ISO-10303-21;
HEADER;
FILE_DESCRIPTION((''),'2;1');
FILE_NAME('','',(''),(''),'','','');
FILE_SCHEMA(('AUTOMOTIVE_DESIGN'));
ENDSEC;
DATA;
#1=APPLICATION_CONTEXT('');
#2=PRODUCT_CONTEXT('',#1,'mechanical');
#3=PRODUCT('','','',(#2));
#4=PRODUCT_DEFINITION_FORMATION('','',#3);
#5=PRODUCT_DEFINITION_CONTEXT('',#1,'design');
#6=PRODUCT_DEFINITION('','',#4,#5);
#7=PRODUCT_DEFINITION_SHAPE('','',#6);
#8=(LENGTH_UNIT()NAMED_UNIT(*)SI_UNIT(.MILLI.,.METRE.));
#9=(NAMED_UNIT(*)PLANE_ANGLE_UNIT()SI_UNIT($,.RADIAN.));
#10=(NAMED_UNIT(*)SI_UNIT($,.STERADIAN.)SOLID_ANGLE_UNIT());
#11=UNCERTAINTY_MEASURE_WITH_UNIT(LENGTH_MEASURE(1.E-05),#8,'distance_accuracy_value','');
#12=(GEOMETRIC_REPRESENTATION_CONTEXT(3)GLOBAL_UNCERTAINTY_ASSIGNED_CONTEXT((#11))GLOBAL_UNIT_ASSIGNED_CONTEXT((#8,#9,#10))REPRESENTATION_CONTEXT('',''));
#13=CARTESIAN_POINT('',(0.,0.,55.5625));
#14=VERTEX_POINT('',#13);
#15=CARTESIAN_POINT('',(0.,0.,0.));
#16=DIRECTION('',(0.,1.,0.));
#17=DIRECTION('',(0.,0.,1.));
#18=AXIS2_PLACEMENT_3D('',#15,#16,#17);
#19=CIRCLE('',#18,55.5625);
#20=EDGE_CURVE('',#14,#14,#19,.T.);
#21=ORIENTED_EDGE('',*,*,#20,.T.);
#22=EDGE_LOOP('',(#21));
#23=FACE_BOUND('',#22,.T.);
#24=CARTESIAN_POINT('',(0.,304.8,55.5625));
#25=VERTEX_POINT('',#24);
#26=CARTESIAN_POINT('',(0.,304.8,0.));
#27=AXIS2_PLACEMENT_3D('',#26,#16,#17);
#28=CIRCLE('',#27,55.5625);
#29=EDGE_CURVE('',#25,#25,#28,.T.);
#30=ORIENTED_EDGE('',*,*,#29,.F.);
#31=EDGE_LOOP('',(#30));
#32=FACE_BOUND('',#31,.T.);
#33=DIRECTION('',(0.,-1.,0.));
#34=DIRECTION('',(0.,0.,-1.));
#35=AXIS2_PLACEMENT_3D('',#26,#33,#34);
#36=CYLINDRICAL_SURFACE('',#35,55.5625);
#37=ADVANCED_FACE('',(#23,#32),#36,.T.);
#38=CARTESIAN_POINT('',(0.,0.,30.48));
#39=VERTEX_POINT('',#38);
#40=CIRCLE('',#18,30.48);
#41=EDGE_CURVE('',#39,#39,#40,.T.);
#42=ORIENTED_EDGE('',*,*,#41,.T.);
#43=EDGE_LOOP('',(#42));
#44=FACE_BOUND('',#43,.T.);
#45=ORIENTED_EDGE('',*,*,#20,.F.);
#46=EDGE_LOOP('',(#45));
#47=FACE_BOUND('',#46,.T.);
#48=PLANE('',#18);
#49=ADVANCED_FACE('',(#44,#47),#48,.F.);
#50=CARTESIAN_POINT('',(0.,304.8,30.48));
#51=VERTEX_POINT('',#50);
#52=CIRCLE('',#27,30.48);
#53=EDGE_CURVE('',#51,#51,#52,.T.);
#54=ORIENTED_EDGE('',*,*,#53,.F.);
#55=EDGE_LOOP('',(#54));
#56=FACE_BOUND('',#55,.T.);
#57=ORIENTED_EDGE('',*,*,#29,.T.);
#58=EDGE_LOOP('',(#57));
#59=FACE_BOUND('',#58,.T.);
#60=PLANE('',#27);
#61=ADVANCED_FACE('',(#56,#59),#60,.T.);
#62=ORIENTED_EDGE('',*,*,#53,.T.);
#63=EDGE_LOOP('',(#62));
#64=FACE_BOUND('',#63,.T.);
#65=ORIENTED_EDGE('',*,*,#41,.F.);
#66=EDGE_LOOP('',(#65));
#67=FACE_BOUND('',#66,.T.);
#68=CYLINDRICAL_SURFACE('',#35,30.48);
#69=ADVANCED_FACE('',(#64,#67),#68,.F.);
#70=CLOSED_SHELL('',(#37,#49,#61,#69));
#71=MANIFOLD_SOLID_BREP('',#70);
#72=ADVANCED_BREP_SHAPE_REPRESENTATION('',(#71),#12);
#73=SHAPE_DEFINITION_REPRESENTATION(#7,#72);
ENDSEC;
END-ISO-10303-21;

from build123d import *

# Parameters (mm, degrees)
SKETCH2_R           = 55.5625
SKETCH2_R_2         = 30.48
BOSS_EXTRUDE1_DEPTH = 304.8


with BuildPart() as part:
    # Sketch2 → Boss-Extrude1 (new body)
    with BuildSketch(Plane(origin=(0, 0, 0), x_dir=(1, 0, 0), z_dir=(0, 1, 0))):
        Circle(SKETCH2_R)
        Circle(SKETCH2_R_2, mode=Mode.SUBTRACT)
    extrude(amount=BOSS_EXTRUDE1_DEPTH)


solid = part.part
